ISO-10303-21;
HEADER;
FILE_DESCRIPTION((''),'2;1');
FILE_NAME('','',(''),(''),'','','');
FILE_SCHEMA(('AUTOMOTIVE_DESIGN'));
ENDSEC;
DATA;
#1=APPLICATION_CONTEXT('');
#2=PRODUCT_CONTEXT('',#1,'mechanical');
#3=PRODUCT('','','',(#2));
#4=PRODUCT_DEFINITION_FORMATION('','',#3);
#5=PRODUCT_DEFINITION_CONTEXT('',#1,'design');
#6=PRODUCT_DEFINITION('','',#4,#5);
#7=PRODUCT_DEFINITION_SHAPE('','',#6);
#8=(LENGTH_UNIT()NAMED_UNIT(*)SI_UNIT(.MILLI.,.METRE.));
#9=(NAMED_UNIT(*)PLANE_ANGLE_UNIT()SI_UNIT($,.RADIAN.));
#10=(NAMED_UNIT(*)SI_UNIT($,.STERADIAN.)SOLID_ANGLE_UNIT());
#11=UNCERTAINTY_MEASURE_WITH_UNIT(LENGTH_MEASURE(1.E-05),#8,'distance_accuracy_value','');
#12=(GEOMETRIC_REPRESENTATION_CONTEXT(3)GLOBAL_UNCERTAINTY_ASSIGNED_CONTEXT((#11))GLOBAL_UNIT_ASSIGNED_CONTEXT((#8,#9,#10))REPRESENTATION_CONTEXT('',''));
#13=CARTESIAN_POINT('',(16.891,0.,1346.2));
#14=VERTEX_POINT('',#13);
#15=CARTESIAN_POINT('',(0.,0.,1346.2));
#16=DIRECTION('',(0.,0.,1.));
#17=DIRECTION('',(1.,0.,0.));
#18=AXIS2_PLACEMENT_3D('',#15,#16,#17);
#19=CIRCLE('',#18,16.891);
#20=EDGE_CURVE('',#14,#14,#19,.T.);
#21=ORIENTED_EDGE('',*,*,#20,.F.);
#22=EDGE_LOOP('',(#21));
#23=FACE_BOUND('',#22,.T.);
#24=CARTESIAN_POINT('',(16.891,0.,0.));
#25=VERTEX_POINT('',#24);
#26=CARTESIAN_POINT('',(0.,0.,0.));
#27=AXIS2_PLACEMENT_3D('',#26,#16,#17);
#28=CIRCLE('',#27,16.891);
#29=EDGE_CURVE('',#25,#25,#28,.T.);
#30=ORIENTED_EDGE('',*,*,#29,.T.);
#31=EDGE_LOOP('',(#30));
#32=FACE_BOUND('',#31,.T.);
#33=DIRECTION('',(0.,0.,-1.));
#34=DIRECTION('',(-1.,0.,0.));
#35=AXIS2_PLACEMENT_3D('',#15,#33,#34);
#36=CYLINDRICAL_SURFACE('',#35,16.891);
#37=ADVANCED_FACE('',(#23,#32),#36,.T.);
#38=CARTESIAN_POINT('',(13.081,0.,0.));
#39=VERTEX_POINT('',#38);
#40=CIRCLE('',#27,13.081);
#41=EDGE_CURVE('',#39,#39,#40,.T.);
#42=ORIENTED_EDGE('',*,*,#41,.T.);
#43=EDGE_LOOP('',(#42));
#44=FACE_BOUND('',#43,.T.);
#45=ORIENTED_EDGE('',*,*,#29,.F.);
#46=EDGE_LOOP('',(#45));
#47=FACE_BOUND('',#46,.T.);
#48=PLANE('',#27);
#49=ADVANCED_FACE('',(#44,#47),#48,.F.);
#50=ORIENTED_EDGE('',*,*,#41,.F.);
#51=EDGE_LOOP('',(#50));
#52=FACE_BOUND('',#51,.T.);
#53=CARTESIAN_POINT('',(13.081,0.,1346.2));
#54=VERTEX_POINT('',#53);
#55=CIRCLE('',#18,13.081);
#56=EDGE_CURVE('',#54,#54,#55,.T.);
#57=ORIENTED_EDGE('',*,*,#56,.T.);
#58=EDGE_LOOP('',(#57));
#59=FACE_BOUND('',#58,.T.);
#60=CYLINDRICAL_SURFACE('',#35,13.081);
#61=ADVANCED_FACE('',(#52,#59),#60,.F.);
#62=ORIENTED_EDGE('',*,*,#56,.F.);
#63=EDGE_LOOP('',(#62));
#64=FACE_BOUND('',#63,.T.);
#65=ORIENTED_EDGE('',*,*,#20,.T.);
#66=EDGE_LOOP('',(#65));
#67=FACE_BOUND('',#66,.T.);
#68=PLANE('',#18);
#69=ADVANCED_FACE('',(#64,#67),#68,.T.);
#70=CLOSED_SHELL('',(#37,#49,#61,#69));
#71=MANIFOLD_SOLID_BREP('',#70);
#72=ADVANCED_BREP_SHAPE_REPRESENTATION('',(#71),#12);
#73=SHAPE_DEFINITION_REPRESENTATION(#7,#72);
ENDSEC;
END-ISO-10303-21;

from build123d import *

# Parameters (mm, degrees)
SKETCH1_R           = 16.891
SKETCH1_R_2         = 13.081
BOSS_EXTRUDE1_DEPTH = 1346.2


with BuildPart() as part:
    # Sketch1 → Boss-Extrude1 (new body)
    with BuildSketch(Plane.XY):
        Circle(SKETCH1_R)
        Circle(SKETCH1_R_2, mode=Mode.SUBTRACT)
    extrude(amount=BOSS_EXTRUDE1_DEPTH)


solid = part.part
